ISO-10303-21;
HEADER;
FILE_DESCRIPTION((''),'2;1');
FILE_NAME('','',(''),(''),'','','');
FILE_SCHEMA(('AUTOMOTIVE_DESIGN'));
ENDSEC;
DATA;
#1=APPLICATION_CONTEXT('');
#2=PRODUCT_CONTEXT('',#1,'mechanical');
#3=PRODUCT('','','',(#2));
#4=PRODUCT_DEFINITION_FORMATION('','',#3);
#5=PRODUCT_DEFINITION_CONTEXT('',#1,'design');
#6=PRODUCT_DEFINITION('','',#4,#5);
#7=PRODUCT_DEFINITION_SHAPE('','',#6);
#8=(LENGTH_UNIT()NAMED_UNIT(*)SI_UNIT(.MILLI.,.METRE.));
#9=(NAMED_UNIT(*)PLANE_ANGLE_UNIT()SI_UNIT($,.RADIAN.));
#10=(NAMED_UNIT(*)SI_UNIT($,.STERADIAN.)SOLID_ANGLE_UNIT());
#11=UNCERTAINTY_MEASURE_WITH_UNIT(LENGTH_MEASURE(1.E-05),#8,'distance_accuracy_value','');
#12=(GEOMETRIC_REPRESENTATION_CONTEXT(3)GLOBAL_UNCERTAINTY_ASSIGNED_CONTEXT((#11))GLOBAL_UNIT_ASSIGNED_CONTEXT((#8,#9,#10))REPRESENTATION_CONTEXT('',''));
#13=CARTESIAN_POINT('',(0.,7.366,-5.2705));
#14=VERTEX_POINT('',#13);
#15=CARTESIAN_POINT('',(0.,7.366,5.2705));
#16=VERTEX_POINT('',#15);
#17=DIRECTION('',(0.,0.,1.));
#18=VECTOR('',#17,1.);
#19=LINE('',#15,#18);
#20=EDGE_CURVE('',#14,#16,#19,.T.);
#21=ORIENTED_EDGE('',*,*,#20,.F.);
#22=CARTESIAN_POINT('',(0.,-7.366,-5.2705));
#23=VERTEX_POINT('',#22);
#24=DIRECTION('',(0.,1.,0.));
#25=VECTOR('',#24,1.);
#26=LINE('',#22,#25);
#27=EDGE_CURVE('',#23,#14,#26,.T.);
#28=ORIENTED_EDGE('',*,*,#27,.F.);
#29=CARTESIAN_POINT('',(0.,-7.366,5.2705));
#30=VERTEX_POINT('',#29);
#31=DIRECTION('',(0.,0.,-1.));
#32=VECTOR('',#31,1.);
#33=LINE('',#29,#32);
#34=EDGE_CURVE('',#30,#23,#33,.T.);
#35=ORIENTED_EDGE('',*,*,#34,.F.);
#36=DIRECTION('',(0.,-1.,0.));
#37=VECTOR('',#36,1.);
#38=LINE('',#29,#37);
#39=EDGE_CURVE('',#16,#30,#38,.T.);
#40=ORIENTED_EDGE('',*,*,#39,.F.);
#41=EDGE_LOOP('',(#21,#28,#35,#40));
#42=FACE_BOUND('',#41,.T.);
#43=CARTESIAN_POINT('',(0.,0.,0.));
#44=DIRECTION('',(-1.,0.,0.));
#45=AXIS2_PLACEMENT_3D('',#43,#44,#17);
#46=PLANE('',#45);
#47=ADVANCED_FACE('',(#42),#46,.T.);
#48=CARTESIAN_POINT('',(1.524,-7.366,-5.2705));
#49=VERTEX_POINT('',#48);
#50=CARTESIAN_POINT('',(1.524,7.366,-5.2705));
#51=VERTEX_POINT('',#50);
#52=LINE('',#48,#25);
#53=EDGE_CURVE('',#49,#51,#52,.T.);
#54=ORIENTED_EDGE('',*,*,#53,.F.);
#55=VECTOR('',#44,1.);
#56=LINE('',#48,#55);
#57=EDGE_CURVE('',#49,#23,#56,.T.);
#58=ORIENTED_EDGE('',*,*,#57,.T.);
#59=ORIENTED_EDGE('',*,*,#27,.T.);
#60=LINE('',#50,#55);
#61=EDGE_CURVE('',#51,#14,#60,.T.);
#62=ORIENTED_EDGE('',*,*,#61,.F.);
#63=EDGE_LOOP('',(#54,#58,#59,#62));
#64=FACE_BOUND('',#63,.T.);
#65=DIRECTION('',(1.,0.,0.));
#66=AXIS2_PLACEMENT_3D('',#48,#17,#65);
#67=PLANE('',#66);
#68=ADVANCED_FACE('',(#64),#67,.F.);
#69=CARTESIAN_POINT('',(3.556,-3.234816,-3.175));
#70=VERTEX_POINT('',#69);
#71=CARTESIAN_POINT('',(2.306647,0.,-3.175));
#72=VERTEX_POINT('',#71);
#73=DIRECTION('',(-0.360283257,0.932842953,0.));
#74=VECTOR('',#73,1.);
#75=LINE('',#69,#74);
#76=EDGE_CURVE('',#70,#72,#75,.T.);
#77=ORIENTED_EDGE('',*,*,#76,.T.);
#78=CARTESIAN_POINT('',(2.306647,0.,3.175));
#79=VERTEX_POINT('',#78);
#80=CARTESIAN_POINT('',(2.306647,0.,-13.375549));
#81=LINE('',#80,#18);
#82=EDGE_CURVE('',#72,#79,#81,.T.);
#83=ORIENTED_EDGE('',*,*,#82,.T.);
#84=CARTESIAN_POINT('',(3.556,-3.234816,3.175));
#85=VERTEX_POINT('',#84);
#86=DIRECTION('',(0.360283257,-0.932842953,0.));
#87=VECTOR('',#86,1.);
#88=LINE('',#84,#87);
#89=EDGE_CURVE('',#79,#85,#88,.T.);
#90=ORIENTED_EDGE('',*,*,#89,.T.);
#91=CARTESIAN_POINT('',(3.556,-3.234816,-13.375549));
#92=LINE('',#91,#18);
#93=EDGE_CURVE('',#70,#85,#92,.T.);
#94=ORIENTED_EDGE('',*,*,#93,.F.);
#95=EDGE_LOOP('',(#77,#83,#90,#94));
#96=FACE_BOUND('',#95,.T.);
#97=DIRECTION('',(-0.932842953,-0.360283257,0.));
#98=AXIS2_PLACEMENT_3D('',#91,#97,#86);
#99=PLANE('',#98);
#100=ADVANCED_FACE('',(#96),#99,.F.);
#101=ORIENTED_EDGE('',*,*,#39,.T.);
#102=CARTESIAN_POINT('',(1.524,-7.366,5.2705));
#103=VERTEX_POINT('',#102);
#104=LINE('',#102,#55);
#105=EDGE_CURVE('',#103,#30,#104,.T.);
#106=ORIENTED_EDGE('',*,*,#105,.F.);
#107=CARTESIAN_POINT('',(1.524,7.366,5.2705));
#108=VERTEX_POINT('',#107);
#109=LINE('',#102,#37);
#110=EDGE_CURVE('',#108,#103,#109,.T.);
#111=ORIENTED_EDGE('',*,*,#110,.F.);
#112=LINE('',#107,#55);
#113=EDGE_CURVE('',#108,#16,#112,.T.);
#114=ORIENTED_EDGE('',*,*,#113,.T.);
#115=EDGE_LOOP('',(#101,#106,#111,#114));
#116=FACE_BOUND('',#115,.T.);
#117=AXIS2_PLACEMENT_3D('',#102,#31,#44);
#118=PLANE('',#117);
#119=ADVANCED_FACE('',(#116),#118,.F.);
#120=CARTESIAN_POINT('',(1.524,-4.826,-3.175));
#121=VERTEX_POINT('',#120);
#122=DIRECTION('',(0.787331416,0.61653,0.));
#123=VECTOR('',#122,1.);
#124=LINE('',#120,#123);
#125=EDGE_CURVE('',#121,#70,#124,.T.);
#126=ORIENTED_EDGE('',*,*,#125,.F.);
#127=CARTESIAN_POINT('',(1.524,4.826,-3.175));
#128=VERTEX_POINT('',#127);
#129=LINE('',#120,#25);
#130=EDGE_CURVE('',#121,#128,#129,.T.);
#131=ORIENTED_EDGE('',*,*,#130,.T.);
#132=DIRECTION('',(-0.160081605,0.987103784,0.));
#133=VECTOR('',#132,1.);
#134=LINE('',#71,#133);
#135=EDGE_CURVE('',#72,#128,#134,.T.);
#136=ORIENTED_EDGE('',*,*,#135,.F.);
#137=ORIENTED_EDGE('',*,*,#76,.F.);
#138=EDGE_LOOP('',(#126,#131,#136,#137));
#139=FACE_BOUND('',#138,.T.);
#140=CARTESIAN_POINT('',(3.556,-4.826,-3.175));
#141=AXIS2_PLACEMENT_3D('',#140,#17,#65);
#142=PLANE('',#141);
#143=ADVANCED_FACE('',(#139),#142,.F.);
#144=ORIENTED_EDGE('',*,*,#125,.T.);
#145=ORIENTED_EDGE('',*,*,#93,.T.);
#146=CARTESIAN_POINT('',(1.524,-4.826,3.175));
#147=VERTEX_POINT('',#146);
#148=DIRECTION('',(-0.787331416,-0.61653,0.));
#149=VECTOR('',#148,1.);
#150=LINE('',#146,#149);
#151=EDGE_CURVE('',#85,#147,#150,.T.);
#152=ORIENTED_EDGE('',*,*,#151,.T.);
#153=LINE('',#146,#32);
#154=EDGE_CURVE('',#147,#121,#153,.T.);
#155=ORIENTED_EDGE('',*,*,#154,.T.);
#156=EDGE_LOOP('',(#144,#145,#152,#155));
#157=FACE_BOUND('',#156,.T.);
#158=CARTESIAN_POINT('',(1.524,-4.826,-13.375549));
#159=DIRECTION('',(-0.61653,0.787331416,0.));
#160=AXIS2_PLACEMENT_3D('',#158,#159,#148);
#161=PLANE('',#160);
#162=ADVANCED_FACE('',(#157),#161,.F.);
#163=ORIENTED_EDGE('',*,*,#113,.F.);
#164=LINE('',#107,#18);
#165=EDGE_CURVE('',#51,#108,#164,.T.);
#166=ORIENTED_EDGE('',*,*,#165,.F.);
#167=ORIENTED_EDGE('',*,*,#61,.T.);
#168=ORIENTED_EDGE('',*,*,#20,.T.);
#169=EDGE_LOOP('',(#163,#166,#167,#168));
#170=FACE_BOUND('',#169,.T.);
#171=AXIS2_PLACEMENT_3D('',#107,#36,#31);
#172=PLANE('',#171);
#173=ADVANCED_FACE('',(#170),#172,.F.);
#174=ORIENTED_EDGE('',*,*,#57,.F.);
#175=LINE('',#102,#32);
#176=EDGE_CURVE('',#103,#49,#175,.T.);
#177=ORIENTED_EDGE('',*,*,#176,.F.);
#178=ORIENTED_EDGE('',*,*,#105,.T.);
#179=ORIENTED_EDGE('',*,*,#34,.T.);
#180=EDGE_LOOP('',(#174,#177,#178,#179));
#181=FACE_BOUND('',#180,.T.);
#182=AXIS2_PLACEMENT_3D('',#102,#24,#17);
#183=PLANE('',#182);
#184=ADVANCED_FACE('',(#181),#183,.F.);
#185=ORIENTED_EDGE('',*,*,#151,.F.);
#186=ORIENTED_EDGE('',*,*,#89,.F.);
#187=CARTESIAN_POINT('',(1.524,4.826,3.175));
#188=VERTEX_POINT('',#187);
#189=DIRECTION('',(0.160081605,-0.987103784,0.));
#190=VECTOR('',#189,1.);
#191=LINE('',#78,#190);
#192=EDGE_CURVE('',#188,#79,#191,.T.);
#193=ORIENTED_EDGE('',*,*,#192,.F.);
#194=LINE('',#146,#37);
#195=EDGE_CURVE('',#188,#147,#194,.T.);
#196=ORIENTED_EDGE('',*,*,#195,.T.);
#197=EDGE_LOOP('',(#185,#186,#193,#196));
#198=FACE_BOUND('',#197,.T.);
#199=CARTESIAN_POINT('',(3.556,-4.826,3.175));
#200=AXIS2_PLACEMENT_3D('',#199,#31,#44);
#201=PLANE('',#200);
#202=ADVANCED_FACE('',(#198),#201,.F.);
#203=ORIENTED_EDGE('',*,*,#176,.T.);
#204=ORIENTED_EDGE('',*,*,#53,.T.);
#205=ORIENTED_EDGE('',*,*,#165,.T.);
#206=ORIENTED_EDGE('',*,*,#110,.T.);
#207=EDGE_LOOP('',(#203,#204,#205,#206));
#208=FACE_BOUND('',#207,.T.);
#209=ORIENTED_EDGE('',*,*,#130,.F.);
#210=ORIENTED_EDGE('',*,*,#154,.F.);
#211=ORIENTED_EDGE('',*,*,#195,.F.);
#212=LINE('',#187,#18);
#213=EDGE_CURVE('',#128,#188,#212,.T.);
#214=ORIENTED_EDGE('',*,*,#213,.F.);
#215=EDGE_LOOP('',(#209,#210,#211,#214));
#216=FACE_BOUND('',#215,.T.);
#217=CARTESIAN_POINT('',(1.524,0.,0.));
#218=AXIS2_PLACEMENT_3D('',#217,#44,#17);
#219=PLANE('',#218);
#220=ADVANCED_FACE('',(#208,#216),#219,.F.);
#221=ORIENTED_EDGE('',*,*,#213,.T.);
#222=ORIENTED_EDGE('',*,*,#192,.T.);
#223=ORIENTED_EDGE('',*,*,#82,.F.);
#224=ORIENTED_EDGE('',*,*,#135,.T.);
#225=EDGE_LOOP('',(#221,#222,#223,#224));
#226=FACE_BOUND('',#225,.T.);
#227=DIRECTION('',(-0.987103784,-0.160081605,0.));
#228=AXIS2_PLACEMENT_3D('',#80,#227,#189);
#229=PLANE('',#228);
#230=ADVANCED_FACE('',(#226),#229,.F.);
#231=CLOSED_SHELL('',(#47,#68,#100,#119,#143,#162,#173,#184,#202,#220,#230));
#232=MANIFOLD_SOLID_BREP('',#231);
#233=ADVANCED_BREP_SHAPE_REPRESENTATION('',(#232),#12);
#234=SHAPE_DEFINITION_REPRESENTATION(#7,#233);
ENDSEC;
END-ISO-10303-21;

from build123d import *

# Parameters (mm, degrees)
SKETCH1_W           = 10.541
SKETCH1_H           = 14.732
BOSS_EXTRUDE1_DEPTH = 1.524
SKETCH2_W           = 6.35
SKETCH2_H           = 9.652
BOSS_EXTRUDE2_DEPTH = 2.032
CUT_EXTRUDE1_DEPTH  = 6.35


with BuildPart() as part:
    # Sketch1 → Boss-Extrude1 (new body)
    with BuildSketch(Plane(origin=(0, 0, 0), x_dir=(0, 0, -1), z_dir=(1, 0, 0))):
        Rectangle(SKETCH1_W, SKETCH1_H)
    extrude(amount=BOSS_EXTRUDE1_DEPTH)

    # Sketch2 → Boss-Extrude2 (add)
    with BuildSketch(Plane(origin=(1.524, 0, 0), x_dir=(0, 0, -1), z_dir=(1, 0, 0))):
        Rectangle(SKETCH2_W, SKETCH2_H)
    extrude(amount=BOSS_EXTRUDE2_DEPTH)

    # Sketch3 → Cut-Extrude1 (cut)
    with BuildSketch(Plane.XY.offset(3.175)):
        Polygon((1.524, -4.826), (3.556, -3.234816243), (2.306647012, 0), (1.524, 4.826), (4.824013739, 4.826), (4.824013739, -4.826), align=None)
    extrude(amount=-CUT_EXTRUDE1_DEPTH, mode=Mode.SUBTRACT)


solid = part.part
